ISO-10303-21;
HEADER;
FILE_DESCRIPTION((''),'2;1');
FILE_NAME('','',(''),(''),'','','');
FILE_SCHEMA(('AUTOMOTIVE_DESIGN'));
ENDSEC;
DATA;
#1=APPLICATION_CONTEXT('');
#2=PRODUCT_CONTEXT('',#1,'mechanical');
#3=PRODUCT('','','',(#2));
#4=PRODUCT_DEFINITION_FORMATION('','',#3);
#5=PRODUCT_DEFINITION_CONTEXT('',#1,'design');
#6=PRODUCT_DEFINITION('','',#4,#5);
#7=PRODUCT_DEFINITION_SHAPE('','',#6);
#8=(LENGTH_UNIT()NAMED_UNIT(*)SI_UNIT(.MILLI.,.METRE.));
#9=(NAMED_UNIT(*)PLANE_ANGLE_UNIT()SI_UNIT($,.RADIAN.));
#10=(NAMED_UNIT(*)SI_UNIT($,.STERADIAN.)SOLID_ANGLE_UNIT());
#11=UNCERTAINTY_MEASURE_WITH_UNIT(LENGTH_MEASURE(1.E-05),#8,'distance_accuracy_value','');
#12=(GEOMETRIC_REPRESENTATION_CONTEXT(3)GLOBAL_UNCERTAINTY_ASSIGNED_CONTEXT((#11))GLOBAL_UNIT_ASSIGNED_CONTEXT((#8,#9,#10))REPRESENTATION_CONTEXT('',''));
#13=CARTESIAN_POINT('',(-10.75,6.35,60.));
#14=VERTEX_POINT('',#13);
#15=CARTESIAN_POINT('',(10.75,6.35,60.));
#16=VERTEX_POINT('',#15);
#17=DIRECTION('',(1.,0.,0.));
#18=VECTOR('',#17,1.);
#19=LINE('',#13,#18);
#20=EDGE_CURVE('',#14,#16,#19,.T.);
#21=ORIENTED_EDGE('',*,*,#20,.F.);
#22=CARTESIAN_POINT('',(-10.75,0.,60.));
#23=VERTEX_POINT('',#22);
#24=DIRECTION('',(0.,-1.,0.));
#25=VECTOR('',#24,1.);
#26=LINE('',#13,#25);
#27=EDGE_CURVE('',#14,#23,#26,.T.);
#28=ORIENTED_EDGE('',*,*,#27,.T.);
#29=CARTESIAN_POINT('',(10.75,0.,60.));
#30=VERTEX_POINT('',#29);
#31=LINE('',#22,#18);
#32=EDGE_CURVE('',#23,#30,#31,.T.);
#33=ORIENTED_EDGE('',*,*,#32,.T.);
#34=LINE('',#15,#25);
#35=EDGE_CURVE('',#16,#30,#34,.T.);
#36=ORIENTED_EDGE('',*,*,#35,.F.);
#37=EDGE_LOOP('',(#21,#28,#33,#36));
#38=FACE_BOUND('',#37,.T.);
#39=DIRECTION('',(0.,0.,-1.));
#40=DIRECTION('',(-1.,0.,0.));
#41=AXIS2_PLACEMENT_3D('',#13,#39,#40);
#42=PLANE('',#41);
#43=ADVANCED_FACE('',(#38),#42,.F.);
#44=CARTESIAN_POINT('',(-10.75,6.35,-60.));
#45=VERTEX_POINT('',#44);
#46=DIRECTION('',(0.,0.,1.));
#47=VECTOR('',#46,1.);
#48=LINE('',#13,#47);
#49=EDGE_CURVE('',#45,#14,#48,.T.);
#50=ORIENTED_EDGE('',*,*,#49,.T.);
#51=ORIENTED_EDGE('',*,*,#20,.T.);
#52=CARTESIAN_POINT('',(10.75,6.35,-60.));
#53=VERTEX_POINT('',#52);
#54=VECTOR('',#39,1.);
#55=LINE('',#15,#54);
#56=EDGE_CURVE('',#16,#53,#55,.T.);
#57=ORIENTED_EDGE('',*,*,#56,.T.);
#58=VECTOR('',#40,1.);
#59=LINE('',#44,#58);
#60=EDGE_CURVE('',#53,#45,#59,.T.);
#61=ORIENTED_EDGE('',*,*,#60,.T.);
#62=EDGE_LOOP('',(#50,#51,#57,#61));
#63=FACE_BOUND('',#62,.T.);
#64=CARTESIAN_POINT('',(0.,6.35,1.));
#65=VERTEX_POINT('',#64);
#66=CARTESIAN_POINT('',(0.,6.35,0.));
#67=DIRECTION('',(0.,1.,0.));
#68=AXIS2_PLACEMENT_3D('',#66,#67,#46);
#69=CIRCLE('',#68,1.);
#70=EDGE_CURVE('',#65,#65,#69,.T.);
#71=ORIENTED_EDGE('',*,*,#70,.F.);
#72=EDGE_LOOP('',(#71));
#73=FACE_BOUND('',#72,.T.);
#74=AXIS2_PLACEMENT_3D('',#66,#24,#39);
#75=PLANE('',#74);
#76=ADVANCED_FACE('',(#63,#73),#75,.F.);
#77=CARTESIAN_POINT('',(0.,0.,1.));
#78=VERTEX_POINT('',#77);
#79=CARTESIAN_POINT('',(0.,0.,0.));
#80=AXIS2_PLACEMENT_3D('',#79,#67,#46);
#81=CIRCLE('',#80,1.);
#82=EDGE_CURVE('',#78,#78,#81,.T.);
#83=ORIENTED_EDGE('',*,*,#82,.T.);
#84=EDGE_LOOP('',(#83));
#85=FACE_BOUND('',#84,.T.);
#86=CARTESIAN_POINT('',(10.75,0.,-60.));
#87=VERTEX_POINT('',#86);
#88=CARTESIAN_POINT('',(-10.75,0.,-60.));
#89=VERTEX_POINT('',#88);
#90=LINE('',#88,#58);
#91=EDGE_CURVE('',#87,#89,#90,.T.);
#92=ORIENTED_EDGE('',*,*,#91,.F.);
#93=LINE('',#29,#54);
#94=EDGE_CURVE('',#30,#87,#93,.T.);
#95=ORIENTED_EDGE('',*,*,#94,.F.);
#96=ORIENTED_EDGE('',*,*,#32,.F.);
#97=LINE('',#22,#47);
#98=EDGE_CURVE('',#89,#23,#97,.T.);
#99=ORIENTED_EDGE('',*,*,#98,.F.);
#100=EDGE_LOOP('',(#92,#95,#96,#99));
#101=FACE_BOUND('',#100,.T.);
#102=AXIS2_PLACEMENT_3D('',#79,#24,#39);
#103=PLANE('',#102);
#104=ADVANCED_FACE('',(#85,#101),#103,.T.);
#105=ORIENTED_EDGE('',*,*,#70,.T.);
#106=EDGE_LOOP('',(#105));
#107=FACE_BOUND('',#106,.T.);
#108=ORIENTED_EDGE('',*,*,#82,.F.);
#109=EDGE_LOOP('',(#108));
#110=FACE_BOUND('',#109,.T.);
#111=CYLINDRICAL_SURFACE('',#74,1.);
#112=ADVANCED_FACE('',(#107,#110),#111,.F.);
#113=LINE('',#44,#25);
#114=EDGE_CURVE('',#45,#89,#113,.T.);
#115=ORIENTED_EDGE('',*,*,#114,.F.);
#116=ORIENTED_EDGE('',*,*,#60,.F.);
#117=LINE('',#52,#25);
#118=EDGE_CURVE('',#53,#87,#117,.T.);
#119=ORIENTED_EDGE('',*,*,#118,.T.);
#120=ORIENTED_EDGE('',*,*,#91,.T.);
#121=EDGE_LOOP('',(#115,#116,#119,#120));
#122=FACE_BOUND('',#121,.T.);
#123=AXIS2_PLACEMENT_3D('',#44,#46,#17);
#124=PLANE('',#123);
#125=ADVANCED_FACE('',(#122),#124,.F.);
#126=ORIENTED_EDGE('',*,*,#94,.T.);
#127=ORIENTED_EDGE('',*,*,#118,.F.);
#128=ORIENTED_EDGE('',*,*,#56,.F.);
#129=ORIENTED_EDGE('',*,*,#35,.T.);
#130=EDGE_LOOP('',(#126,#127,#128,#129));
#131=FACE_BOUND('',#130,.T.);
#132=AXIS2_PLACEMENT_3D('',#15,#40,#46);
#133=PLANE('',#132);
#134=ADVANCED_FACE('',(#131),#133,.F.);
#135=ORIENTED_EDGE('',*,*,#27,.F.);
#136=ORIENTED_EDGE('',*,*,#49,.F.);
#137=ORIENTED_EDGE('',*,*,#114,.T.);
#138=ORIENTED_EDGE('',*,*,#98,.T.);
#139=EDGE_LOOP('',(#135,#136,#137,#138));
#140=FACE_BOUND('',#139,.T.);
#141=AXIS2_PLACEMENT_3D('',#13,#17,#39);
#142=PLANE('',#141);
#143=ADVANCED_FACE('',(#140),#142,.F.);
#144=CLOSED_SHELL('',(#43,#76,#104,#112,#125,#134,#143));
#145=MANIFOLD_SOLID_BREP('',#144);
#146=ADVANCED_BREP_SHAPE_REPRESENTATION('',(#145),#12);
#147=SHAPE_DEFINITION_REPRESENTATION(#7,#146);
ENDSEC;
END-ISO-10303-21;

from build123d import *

# Parameters (mm, degrees)
SKETCH2_W           = 21.5
SKETCH2_H           = 120
SKETCH2_R           = 1
BOSS_EXTRUDE1_DEPTH = 6.35


with BuildPart() as part:
    # Sketch2 → Boss-Extrude1 (new body)
    with BuildSketch(Plane(origin=(0, 0, 0), x_dir=(1, 0, 0), z_dir=(0, 1, 0))):
        Rectangle(SKETCH2_W, SKETCH2_H)
        Circle(SKETCH2_R, mode=Mode.SUBTRACT)
    extrude(amount=BOSS_EXTRUDE1_DEPTH)


solid = part.part
